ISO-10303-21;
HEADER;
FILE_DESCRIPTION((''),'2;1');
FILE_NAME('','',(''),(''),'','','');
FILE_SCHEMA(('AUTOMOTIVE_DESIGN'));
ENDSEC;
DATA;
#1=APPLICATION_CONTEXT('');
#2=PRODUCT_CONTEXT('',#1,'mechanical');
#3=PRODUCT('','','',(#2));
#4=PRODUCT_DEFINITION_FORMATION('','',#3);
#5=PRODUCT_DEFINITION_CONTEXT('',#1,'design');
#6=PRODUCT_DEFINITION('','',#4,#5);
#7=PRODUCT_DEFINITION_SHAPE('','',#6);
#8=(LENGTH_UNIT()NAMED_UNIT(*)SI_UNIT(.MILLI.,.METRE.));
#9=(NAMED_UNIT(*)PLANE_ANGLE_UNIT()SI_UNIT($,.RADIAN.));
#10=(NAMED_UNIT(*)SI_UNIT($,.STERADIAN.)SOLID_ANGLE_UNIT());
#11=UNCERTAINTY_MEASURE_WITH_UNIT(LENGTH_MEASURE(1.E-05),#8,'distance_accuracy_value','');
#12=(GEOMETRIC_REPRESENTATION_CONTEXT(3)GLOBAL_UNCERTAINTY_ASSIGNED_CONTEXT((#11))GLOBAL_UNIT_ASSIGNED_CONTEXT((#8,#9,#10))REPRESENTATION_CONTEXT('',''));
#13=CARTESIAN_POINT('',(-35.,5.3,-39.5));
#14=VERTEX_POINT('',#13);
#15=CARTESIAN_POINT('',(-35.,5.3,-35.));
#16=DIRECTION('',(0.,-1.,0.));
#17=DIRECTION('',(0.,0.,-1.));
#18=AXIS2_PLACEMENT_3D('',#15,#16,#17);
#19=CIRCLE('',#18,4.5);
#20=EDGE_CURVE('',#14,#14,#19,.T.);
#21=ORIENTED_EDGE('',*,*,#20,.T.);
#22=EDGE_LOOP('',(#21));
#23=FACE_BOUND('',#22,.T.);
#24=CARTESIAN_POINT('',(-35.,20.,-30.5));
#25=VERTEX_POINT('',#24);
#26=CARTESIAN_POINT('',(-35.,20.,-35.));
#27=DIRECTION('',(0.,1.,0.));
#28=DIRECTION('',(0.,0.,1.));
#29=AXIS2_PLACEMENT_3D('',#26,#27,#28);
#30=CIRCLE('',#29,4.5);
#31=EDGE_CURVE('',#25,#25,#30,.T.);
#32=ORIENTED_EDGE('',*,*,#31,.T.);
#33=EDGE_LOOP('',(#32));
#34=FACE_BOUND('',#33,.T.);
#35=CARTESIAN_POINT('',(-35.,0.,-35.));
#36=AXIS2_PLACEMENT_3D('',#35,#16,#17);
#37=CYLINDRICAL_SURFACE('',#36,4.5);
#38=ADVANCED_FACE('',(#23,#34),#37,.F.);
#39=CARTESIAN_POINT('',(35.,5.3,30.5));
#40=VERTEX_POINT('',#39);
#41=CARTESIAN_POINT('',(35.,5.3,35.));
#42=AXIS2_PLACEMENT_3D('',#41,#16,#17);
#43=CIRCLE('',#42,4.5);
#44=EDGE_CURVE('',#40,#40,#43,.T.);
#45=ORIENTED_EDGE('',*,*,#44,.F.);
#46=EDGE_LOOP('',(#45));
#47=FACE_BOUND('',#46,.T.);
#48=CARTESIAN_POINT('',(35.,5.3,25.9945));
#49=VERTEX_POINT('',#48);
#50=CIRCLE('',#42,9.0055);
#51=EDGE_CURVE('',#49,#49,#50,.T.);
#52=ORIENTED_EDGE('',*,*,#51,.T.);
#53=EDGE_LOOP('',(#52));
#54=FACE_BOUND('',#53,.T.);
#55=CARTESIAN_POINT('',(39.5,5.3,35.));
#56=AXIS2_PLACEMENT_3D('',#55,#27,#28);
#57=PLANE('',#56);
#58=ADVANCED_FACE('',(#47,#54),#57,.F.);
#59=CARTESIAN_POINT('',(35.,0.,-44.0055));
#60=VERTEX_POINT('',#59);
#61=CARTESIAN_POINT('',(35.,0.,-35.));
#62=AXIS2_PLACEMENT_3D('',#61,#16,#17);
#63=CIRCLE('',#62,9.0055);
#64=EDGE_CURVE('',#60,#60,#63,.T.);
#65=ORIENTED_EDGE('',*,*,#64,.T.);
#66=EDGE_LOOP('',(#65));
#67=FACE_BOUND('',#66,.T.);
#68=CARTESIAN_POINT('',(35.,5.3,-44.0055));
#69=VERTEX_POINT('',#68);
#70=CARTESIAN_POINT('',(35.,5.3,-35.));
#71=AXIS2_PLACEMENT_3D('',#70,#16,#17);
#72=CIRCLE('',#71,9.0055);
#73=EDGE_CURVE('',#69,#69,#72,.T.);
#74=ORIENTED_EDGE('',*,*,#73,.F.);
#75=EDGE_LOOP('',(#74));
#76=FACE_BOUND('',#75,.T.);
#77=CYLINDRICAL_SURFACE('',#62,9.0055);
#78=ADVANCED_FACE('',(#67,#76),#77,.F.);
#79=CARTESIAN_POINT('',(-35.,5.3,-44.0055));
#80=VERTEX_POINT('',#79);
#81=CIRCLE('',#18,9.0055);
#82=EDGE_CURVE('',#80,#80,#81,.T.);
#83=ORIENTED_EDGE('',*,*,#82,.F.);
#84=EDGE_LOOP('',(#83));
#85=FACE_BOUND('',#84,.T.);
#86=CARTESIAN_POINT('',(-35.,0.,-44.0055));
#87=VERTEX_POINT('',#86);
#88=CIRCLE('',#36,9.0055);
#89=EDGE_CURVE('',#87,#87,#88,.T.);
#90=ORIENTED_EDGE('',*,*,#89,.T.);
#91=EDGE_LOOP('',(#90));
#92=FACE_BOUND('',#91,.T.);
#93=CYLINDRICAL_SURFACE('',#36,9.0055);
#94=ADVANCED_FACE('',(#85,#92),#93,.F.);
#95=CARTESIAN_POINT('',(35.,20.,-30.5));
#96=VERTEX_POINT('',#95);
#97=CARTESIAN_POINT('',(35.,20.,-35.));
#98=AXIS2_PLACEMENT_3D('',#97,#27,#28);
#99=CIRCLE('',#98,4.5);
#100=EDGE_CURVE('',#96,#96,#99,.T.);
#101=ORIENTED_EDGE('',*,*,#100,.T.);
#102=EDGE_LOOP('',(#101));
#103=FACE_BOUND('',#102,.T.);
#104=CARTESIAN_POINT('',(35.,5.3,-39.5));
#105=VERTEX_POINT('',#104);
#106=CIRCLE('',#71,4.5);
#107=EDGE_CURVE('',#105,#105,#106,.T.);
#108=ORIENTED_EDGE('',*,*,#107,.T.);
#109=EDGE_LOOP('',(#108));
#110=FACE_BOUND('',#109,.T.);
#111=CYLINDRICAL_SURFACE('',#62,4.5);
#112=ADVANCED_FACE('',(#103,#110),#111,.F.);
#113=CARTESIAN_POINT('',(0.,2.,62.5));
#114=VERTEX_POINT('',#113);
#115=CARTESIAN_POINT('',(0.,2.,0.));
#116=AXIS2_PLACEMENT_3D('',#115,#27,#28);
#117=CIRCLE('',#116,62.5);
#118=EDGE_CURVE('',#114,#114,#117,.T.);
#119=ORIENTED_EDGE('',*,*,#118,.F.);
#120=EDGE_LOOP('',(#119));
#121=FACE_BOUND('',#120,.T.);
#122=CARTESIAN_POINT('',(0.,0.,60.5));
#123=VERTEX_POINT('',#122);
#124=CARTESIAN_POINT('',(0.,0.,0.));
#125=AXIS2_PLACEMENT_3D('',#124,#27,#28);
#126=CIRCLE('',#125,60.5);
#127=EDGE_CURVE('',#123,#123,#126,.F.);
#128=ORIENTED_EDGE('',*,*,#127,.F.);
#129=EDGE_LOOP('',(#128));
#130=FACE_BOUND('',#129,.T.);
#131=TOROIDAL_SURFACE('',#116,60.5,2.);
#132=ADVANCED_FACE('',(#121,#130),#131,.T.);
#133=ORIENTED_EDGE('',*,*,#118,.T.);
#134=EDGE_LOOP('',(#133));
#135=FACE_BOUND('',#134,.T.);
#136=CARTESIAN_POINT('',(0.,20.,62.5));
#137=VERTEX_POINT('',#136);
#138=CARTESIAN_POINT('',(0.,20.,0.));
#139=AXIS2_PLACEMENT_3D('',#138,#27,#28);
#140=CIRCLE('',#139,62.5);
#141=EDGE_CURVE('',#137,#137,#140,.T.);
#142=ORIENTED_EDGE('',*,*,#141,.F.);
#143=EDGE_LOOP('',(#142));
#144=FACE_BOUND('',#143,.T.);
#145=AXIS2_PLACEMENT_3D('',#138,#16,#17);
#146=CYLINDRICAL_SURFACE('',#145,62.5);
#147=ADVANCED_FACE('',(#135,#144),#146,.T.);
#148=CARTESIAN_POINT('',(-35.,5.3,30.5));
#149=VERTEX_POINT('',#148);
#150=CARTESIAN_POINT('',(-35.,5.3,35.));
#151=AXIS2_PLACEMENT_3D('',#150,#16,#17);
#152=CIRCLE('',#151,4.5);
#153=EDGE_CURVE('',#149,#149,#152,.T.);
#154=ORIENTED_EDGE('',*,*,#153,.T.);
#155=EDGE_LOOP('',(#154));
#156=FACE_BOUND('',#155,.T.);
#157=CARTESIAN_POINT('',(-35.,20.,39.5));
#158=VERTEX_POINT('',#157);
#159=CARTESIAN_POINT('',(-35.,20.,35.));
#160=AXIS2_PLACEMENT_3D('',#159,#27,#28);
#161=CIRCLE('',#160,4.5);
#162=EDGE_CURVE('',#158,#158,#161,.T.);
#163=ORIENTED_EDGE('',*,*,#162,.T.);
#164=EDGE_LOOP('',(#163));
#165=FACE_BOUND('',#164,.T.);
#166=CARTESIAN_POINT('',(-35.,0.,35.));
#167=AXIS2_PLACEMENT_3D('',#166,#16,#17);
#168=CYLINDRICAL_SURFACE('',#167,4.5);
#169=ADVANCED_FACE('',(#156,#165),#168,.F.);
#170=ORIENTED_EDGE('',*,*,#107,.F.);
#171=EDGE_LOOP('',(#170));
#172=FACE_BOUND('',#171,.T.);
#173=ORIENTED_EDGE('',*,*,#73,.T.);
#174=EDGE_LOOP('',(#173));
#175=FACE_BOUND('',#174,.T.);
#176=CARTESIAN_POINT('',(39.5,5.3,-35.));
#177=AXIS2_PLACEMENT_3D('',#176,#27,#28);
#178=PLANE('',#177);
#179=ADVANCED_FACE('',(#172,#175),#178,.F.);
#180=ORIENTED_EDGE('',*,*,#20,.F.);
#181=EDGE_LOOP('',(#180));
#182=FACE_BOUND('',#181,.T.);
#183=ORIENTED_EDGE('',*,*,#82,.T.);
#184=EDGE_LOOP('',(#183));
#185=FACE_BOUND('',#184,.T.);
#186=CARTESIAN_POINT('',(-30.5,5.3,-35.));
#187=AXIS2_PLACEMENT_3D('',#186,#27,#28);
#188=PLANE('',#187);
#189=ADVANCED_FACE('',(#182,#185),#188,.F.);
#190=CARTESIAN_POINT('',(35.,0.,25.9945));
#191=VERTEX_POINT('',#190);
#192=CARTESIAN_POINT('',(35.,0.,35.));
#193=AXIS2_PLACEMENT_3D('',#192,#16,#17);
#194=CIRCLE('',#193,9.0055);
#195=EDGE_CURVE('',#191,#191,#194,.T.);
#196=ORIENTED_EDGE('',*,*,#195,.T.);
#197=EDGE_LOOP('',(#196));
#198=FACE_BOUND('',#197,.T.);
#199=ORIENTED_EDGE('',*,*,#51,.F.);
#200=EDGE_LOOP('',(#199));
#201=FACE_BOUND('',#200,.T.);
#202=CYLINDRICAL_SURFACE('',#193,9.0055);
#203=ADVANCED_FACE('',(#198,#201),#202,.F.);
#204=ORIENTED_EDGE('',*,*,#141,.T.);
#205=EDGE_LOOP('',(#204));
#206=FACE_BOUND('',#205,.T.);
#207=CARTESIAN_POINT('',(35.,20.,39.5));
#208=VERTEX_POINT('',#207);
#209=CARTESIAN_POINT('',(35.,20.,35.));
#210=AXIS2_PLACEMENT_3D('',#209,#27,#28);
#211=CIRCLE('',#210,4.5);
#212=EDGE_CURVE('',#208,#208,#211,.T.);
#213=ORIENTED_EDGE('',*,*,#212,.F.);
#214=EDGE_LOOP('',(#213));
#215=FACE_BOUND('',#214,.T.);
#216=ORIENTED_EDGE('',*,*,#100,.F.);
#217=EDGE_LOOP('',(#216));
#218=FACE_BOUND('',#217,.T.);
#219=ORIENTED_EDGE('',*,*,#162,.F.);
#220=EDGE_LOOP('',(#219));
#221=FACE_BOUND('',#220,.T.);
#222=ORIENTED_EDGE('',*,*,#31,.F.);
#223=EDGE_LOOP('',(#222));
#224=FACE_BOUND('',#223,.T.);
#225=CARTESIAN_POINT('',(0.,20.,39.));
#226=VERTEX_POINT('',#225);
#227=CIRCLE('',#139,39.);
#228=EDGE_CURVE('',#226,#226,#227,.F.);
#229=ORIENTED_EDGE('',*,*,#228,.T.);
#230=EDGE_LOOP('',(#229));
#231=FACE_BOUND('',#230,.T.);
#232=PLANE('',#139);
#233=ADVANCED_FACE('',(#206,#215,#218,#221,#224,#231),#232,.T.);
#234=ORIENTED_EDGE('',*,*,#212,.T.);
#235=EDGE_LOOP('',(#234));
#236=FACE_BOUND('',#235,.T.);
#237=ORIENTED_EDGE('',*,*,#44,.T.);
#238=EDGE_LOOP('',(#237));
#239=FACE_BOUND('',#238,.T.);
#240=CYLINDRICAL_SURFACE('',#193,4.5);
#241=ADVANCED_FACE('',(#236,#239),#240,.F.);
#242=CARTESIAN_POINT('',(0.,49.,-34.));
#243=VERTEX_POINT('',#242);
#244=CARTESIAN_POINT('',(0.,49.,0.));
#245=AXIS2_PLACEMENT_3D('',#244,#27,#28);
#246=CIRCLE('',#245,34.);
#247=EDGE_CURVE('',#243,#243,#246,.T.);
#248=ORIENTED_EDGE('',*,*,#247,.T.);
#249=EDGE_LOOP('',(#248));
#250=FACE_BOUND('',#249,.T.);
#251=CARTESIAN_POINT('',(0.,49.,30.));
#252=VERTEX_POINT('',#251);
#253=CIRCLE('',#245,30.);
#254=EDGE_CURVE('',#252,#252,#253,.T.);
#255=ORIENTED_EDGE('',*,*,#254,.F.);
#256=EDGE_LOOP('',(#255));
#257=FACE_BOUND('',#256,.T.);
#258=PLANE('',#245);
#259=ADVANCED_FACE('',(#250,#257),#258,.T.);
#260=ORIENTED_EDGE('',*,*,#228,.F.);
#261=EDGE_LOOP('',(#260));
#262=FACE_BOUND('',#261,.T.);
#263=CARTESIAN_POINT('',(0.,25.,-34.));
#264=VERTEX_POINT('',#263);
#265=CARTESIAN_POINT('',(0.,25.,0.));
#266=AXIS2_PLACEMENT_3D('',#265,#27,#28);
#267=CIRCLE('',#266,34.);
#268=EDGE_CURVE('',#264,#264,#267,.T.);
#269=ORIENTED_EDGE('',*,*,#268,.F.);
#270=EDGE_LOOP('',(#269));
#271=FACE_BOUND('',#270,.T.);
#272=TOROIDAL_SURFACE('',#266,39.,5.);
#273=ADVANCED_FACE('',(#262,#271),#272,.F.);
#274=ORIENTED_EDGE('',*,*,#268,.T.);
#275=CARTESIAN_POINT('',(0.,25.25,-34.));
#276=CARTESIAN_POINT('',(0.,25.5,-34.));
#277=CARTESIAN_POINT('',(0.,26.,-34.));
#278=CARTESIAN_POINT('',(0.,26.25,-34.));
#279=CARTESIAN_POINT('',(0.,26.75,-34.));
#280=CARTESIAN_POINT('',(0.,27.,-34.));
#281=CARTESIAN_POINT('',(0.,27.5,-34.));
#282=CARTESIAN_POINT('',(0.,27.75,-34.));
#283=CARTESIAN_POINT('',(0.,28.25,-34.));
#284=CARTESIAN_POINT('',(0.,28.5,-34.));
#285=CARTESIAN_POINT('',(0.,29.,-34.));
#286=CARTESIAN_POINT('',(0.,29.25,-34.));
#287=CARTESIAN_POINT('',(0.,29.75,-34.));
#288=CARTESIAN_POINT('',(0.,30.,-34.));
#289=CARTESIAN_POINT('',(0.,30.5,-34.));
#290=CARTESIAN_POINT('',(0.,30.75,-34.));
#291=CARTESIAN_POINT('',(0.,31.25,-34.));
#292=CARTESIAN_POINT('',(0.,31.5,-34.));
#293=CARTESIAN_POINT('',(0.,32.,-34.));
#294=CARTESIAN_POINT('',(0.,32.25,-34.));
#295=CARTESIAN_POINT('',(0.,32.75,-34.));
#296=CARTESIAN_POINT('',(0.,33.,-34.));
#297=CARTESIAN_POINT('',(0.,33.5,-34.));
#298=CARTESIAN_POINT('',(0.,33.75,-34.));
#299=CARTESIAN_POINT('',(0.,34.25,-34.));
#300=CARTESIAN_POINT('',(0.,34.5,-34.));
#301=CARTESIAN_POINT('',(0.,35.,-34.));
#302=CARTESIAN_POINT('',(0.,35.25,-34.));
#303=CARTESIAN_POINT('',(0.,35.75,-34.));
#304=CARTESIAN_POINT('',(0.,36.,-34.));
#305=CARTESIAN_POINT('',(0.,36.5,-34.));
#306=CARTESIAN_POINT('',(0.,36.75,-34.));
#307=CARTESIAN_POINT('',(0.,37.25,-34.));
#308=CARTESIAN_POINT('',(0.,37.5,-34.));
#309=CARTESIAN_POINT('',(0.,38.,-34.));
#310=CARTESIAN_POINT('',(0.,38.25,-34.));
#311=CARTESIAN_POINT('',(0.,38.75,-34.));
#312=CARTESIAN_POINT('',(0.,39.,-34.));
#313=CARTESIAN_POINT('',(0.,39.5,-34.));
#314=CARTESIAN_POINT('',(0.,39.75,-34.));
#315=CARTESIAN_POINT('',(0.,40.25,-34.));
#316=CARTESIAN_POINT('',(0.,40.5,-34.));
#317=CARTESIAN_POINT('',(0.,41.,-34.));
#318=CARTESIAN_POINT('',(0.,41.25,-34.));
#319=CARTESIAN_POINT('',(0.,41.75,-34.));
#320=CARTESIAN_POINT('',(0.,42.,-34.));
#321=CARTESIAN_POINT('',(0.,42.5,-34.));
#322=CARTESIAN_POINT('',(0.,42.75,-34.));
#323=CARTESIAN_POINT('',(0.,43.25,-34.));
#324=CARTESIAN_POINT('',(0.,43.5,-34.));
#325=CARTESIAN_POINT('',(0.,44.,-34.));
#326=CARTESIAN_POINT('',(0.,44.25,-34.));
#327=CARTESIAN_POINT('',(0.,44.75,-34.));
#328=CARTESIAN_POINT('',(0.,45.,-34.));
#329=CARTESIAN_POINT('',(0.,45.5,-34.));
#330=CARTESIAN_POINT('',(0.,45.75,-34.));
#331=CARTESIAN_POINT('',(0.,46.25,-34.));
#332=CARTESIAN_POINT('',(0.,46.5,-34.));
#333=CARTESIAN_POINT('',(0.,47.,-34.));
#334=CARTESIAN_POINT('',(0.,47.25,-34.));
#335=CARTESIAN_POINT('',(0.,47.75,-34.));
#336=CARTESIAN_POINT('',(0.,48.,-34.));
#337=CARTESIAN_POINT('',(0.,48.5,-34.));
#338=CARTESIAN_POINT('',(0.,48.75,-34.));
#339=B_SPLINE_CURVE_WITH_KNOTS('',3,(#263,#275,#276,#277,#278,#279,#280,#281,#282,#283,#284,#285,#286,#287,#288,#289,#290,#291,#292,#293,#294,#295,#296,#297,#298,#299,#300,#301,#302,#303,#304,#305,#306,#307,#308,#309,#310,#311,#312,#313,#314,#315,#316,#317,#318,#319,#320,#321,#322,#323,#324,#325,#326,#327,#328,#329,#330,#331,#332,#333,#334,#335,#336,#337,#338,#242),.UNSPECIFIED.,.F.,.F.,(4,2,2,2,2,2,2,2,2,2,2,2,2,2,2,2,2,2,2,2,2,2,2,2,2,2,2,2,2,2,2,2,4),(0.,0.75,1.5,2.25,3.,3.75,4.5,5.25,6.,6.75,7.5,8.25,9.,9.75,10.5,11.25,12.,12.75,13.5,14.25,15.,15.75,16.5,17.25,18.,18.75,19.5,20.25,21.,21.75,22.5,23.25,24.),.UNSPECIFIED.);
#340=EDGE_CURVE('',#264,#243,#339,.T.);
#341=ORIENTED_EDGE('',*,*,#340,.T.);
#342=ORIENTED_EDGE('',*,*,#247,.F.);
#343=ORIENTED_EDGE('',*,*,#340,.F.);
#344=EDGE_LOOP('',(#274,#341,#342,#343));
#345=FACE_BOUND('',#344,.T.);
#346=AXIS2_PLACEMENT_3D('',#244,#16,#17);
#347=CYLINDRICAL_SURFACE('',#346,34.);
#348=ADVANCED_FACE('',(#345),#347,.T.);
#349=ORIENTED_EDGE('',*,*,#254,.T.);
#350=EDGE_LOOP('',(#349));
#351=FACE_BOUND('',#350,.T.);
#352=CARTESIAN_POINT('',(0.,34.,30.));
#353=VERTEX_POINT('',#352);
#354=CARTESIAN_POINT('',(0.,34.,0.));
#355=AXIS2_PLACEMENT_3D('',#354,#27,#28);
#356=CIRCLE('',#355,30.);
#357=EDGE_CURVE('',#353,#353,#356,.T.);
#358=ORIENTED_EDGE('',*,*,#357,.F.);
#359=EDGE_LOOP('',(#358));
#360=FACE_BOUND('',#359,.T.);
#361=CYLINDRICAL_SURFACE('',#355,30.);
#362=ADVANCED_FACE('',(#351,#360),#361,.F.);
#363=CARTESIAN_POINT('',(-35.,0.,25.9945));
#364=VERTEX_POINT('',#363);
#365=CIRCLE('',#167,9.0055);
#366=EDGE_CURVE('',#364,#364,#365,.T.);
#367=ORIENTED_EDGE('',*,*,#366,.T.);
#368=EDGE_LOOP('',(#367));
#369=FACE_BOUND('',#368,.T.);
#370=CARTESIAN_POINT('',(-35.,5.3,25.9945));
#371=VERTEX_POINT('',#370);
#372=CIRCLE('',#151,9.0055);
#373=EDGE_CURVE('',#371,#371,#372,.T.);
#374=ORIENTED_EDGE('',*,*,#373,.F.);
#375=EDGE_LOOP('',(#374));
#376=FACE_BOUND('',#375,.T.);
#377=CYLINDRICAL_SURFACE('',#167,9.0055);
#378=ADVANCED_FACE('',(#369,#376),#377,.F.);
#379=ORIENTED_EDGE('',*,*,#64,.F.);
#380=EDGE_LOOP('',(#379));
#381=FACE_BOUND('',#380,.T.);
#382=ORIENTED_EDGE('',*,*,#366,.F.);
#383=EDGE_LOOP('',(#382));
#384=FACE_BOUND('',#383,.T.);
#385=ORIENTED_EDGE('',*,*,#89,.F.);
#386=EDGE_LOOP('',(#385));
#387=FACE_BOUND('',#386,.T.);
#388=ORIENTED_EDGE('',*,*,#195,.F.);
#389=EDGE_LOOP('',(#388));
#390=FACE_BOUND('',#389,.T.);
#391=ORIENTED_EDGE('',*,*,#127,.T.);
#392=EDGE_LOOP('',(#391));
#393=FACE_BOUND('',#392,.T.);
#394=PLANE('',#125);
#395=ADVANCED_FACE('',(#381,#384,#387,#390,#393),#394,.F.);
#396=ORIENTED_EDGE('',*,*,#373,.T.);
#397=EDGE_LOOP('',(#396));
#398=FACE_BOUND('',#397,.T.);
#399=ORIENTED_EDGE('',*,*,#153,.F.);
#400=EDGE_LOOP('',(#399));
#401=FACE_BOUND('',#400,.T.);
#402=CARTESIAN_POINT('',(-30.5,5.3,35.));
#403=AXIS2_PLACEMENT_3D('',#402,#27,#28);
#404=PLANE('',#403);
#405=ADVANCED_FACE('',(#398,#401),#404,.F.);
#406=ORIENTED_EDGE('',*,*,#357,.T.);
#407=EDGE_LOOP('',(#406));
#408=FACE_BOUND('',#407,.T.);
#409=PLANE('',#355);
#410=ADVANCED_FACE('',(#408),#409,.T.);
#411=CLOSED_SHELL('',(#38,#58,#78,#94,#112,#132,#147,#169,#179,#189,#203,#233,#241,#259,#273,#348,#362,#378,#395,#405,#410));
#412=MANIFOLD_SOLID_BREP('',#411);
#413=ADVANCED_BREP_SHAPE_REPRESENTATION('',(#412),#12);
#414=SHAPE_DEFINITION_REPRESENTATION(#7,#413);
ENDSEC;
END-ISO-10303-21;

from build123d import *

# Parameters (mm, degrees)
SKETCH1_R                               = 62.5
BOSS_EXTRUDE1_DEPTH                     = 20
SKETCH2_R                               = 34
BOSS_EXTRUDE2_DEPTH                     = 29
SKETCH6_R                               = 30
CUT_EXTRUDE1_DEPTH                      = 15
FILLET1_R                               = 5
CBORE_FOR_M8_HEX_HEAD_BOLT1_D           = 9
CBORE_FOR_M8_HEX_HEAD_BOLT1_CBORE_D     = 18.011
CBORE_FOR_M8_HEX_HEAD_BOLT1_CBORE_DEPTH = 5.3
FILLET2_R                               = 2


with BuildPart() as part:
    # Sketch1 → Boss-Extrude1 (new body)
    with BuildSketch(Plane(origin=(0, 0, 0), x_dir=(1, 0, 0), z_dir=(0, 1, 0))):
        with Locations(Location((0, 0, 0), (0, 0, 270))):
            Circle(SKETCH1_R)
    extrude(amount=BOSS_EXTRUDE1_DEPTH)

    # Sketch2 → Boss-Extrude2 (add)
    with BuildSketch(Plane(origin=(0, 20, 0), x_dir=(1, 0, 0), z_dir=(0, 1, 0))):
        with Locations(Location((0, 0, 0), (0, 0, 90))):
            Circle(SKETCH2_R)
    extrude(amount=BOSS_EXTRUDE2_DEPTH)

    # Sketch6 → Cut-Extrude1 (cut)
    with BuildSketch(Plane(origin=(0, 49, 0), x_dir=(1, 0, 0), z_dir=(0, 1, 0))):
        with Locations(Location((0, 0, 0), (0, 0, 270))):
            Circle(SKETCH6_R)
    extrude(amount=-CUT_EXTRUDE1_DEPTH, mode=Mode.SUBTRACT)

    # Fillet1
    fillet1_edges = [part.edges().sort_by_distance(p)[0] for p in [
        (0, 20, 34),
    ]]
    fillet(fillet1_edges, radius=FILLET1_R)

    # CBORE for M8 Hex Head Bolt1 (through all)
    with Locations(Plane(origin=(-35, 0, 35), x_dir=(0, 0, -1), z_dir=(0, -1, 0))):
        with Locations((0, 0), (0, 70), (70, 70), (70, 0)):
            CounterBoreHole(CBORE_FOR_M8_HEX_HEAD_BOLT1_D / 2, CBORE_FOR_M8_HEX_HEAD_BOLT1_CBORE_D / 2, CBORE_FOR_M8_HEX_HEAD_BOLT1_CBORE_DEPTH)

    # Fillet2
    fillet2_edges = [part.edges().sort_by_distance(p)[0] for p in [
        (0, 0, -62.5),
    ]]
    fillet(fillet2_edges, radius=FILLET2_R)


solid = part.part
